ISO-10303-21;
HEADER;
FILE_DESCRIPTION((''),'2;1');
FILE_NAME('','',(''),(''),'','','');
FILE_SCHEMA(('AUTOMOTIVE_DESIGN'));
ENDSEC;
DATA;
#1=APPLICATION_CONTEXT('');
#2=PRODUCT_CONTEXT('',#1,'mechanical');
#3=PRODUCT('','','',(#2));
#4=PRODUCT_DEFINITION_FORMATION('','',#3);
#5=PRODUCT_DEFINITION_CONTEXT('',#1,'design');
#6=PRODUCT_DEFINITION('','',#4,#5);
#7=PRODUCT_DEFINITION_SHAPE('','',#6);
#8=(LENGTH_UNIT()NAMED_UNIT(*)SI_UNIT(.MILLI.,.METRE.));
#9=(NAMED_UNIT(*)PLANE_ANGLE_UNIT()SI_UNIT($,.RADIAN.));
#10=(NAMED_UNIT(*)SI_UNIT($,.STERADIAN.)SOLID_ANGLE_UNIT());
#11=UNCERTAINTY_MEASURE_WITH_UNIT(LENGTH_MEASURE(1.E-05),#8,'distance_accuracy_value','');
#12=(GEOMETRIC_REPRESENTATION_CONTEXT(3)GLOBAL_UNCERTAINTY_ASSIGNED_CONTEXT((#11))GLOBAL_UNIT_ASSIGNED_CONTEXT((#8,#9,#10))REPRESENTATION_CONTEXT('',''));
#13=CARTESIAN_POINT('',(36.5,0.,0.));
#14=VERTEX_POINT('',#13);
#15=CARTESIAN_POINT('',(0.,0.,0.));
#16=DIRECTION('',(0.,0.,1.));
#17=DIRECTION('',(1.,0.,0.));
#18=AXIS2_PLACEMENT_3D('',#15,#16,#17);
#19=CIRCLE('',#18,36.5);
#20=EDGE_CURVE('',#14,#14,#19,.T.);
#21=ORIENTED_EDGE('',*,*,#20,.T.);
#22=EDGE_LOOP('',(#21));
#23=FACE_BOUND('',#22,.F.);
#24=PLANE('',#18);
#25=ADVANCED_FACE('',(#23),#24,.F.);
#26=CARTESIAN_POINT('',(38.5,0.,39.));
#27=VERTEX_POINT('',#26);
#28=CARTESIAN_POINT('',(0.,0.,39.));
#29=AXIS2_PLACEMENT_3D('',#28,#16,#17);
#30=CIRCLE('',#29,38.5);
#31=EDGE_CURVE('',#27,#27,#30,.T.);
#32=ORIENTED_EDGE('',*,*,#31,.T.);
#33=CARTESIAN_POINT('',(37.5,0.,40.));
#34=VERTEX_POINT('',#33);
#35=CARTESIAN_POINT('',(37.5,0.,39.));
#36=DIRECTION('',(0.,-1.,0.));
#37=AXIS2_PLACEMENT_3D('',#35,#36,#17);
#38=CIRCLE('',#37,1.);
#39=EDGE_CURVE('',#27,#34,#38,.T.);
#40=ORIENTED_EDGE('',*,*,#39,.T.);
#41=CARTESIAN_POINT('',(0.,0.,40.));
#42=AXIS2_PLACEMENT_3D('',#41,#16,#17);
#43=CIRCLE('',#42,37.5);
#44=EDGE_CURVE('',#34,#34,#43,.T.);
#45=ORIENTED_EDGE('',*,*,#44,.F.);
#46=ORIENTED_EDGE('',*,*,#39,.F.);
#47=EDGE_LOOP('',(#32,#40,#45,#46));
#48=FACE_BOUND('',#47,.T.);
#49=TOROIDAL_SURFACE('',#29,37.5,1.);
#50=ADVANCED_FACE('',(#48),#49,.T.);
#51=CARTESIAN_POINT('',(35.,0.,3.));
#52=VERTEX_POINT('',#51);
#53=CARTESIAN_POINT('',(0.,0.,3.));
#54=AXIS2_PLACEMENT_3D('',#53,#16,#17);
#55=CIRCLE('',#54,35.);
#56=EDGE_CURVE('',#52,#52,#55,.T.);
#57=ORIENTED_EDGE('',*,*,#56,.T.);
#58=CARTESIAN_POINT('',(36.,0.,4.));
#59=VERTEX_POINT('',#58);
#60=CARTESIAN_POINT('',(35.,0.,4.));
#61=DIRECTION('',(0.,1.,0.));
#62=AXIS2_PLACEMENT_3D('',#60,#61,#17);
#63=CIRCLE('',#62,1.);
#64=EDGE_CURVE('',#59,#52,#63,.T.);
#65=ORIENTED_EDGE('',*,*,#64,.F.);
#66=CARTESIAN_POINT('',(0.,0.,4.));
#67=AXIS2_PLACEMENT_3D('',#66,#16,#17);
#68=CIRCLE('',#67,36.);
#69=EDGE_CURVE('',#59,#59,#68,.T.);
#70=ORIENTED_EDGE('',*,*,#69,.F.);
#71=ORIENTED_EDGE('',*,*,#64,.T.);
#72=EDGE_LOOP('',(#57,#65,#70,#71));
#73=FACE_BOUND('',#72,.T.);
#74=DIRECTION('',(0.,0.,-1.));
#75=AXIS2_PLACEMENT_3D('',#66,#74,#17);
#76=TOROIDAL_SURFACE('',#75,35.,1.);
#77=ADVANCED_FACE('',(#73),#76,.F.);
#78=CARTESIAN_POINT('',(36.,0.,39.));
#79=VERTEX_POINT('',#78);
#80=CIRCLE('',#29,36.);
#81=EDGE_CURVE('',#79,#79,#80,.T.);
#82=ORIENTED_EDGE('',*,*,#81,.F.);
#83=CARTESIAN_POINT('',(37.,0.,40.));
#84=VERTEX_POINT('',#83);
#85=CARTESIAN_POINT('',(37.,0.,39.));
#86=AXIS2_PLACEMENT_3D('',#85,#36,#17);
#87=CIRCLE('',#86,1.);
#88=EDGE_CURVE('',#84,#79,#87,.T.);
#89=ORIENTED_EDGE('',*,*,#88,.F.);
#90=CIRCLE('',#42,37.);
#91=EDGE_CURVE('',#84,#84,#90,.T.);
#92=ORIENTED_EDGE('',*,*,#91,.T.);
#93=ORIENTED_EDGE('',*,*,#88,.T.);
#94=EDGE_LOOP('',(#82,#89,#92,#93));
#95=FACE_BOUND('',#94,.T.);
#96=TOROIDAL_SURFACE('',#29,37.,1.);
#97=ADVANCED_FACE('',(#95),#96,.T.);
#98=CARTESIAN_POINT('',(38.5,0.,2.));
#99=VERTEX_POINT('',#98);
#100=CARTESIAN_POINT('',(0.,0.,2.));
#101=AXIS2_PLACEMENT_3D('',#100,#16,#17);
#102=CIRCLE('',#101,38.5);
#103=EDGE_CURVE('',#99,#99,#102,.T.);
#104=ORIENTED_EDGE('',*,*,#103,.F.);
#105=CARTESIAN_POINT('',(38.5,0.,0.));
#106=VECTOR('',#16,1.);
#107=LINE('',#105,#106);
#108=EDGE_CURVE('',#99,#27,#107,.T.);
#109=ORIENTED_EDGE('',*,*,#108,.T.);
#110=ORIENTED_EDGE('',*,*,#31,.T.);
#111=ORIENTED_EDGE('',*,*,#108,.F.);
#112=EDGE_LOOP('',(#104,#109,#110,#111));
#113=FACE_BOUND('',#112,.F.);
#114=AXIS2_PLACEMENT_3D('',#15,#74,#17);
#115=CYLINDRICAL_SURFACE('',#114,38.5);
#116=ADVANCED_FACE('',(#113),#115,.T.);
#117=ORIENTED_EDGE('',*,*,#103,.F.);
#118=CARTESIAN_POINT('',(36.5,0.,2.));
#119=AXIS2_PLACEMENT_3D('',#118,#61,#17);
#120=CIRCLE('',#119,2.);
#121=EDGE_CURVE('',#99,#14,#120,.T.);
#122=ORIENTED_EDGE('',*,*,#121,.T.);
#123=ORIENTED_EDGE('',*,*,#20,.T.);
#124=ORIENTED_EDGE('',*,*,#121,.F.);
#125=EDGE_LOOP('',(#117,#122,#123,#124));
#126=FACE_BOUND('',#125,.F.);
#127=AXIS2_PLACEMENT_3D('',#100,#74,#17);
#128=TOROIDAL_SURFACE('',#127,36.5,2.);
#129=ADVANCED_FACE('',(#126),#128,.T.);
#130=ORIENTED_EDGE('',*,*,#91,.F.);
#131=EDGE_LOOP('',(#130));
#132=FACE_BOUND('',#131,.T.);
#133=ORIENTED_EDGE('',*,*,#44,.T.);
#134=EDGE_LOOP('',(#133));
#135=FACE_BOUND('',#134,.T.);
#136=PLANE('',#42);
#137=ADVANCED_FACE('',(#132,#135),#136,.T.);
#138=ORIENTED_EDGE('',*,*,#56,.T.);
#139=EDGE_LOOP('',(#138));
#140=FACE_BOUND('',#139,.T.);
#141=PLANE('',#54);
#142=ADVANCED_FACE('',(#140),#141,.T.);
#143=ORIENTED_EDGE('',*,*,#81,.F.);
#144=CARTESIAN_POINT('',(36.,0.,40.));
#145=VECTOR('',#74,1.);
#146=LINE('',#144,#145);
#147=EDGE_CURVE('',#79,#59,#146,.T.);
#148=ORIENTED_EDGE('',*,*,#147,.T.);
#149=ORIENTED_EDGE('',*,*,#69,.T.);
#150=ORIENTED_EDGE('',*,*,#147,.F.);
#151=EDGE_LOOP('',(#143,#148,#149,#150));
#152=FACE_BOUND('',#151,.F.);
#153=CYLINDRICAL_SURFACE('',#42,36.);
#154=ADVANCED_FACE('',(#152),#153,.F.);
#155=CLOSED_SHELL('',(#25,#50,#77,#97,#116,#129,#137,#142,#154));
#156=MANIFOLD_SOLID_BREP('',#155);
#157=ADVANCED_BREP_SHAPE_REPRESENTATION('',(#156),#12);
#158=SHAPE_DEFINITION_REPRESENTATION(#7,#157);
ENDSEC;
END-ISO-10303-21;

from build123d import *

# Parameters (mm, degrees)
SKETCH_R     = 38.5
PAD_DEPTH    = 40
SKETCH001_R  = 36
POCKET_DEPTH = 37
FILLET_R     = 1
FILLET001_R  = 2
FILLET002_R  = 1


with BuildPart() as part:
    # Sketch → Pad (new body)
    with BuildSketch(Plane.XY):
        Circle(SKETCH_R)
    extrude(amount=PAD_DEPTH)

    # Sketch001 (on Face3 of Pad) → Pocket (cut)
    with BuildSketch(Plane.XY.offset(40)):
        Circle(SKETCH001_R)
    extrude(amount=-POCKET_DEPTH, mode=Mode.SUBTRACT)

    # Fillet
    fillet_edges = [part.edges().sort_by_distance(p)[0] for p in [
        (-38.5, 0, 40),
        (-36, 0, 40),
    ]]
    fillet(fillet_edges, radius=FILLET_R)

    # Fillet001
    fillet001_edges = [part.edges().sort_by_distance(p)[0] for p in [
        (-38.5, 0, 0),
    ]]
    fillet(fillet001_edges, radius=FILLET001_R)

    # Fillet002
    fillet002_edges = [part.edges().sort_by_distance(p)[0] for p in [
        (-36, 0, 3),
    ]]
    fillet(fillet002_edges, radius=FILLET002_R)


solid = part.part
